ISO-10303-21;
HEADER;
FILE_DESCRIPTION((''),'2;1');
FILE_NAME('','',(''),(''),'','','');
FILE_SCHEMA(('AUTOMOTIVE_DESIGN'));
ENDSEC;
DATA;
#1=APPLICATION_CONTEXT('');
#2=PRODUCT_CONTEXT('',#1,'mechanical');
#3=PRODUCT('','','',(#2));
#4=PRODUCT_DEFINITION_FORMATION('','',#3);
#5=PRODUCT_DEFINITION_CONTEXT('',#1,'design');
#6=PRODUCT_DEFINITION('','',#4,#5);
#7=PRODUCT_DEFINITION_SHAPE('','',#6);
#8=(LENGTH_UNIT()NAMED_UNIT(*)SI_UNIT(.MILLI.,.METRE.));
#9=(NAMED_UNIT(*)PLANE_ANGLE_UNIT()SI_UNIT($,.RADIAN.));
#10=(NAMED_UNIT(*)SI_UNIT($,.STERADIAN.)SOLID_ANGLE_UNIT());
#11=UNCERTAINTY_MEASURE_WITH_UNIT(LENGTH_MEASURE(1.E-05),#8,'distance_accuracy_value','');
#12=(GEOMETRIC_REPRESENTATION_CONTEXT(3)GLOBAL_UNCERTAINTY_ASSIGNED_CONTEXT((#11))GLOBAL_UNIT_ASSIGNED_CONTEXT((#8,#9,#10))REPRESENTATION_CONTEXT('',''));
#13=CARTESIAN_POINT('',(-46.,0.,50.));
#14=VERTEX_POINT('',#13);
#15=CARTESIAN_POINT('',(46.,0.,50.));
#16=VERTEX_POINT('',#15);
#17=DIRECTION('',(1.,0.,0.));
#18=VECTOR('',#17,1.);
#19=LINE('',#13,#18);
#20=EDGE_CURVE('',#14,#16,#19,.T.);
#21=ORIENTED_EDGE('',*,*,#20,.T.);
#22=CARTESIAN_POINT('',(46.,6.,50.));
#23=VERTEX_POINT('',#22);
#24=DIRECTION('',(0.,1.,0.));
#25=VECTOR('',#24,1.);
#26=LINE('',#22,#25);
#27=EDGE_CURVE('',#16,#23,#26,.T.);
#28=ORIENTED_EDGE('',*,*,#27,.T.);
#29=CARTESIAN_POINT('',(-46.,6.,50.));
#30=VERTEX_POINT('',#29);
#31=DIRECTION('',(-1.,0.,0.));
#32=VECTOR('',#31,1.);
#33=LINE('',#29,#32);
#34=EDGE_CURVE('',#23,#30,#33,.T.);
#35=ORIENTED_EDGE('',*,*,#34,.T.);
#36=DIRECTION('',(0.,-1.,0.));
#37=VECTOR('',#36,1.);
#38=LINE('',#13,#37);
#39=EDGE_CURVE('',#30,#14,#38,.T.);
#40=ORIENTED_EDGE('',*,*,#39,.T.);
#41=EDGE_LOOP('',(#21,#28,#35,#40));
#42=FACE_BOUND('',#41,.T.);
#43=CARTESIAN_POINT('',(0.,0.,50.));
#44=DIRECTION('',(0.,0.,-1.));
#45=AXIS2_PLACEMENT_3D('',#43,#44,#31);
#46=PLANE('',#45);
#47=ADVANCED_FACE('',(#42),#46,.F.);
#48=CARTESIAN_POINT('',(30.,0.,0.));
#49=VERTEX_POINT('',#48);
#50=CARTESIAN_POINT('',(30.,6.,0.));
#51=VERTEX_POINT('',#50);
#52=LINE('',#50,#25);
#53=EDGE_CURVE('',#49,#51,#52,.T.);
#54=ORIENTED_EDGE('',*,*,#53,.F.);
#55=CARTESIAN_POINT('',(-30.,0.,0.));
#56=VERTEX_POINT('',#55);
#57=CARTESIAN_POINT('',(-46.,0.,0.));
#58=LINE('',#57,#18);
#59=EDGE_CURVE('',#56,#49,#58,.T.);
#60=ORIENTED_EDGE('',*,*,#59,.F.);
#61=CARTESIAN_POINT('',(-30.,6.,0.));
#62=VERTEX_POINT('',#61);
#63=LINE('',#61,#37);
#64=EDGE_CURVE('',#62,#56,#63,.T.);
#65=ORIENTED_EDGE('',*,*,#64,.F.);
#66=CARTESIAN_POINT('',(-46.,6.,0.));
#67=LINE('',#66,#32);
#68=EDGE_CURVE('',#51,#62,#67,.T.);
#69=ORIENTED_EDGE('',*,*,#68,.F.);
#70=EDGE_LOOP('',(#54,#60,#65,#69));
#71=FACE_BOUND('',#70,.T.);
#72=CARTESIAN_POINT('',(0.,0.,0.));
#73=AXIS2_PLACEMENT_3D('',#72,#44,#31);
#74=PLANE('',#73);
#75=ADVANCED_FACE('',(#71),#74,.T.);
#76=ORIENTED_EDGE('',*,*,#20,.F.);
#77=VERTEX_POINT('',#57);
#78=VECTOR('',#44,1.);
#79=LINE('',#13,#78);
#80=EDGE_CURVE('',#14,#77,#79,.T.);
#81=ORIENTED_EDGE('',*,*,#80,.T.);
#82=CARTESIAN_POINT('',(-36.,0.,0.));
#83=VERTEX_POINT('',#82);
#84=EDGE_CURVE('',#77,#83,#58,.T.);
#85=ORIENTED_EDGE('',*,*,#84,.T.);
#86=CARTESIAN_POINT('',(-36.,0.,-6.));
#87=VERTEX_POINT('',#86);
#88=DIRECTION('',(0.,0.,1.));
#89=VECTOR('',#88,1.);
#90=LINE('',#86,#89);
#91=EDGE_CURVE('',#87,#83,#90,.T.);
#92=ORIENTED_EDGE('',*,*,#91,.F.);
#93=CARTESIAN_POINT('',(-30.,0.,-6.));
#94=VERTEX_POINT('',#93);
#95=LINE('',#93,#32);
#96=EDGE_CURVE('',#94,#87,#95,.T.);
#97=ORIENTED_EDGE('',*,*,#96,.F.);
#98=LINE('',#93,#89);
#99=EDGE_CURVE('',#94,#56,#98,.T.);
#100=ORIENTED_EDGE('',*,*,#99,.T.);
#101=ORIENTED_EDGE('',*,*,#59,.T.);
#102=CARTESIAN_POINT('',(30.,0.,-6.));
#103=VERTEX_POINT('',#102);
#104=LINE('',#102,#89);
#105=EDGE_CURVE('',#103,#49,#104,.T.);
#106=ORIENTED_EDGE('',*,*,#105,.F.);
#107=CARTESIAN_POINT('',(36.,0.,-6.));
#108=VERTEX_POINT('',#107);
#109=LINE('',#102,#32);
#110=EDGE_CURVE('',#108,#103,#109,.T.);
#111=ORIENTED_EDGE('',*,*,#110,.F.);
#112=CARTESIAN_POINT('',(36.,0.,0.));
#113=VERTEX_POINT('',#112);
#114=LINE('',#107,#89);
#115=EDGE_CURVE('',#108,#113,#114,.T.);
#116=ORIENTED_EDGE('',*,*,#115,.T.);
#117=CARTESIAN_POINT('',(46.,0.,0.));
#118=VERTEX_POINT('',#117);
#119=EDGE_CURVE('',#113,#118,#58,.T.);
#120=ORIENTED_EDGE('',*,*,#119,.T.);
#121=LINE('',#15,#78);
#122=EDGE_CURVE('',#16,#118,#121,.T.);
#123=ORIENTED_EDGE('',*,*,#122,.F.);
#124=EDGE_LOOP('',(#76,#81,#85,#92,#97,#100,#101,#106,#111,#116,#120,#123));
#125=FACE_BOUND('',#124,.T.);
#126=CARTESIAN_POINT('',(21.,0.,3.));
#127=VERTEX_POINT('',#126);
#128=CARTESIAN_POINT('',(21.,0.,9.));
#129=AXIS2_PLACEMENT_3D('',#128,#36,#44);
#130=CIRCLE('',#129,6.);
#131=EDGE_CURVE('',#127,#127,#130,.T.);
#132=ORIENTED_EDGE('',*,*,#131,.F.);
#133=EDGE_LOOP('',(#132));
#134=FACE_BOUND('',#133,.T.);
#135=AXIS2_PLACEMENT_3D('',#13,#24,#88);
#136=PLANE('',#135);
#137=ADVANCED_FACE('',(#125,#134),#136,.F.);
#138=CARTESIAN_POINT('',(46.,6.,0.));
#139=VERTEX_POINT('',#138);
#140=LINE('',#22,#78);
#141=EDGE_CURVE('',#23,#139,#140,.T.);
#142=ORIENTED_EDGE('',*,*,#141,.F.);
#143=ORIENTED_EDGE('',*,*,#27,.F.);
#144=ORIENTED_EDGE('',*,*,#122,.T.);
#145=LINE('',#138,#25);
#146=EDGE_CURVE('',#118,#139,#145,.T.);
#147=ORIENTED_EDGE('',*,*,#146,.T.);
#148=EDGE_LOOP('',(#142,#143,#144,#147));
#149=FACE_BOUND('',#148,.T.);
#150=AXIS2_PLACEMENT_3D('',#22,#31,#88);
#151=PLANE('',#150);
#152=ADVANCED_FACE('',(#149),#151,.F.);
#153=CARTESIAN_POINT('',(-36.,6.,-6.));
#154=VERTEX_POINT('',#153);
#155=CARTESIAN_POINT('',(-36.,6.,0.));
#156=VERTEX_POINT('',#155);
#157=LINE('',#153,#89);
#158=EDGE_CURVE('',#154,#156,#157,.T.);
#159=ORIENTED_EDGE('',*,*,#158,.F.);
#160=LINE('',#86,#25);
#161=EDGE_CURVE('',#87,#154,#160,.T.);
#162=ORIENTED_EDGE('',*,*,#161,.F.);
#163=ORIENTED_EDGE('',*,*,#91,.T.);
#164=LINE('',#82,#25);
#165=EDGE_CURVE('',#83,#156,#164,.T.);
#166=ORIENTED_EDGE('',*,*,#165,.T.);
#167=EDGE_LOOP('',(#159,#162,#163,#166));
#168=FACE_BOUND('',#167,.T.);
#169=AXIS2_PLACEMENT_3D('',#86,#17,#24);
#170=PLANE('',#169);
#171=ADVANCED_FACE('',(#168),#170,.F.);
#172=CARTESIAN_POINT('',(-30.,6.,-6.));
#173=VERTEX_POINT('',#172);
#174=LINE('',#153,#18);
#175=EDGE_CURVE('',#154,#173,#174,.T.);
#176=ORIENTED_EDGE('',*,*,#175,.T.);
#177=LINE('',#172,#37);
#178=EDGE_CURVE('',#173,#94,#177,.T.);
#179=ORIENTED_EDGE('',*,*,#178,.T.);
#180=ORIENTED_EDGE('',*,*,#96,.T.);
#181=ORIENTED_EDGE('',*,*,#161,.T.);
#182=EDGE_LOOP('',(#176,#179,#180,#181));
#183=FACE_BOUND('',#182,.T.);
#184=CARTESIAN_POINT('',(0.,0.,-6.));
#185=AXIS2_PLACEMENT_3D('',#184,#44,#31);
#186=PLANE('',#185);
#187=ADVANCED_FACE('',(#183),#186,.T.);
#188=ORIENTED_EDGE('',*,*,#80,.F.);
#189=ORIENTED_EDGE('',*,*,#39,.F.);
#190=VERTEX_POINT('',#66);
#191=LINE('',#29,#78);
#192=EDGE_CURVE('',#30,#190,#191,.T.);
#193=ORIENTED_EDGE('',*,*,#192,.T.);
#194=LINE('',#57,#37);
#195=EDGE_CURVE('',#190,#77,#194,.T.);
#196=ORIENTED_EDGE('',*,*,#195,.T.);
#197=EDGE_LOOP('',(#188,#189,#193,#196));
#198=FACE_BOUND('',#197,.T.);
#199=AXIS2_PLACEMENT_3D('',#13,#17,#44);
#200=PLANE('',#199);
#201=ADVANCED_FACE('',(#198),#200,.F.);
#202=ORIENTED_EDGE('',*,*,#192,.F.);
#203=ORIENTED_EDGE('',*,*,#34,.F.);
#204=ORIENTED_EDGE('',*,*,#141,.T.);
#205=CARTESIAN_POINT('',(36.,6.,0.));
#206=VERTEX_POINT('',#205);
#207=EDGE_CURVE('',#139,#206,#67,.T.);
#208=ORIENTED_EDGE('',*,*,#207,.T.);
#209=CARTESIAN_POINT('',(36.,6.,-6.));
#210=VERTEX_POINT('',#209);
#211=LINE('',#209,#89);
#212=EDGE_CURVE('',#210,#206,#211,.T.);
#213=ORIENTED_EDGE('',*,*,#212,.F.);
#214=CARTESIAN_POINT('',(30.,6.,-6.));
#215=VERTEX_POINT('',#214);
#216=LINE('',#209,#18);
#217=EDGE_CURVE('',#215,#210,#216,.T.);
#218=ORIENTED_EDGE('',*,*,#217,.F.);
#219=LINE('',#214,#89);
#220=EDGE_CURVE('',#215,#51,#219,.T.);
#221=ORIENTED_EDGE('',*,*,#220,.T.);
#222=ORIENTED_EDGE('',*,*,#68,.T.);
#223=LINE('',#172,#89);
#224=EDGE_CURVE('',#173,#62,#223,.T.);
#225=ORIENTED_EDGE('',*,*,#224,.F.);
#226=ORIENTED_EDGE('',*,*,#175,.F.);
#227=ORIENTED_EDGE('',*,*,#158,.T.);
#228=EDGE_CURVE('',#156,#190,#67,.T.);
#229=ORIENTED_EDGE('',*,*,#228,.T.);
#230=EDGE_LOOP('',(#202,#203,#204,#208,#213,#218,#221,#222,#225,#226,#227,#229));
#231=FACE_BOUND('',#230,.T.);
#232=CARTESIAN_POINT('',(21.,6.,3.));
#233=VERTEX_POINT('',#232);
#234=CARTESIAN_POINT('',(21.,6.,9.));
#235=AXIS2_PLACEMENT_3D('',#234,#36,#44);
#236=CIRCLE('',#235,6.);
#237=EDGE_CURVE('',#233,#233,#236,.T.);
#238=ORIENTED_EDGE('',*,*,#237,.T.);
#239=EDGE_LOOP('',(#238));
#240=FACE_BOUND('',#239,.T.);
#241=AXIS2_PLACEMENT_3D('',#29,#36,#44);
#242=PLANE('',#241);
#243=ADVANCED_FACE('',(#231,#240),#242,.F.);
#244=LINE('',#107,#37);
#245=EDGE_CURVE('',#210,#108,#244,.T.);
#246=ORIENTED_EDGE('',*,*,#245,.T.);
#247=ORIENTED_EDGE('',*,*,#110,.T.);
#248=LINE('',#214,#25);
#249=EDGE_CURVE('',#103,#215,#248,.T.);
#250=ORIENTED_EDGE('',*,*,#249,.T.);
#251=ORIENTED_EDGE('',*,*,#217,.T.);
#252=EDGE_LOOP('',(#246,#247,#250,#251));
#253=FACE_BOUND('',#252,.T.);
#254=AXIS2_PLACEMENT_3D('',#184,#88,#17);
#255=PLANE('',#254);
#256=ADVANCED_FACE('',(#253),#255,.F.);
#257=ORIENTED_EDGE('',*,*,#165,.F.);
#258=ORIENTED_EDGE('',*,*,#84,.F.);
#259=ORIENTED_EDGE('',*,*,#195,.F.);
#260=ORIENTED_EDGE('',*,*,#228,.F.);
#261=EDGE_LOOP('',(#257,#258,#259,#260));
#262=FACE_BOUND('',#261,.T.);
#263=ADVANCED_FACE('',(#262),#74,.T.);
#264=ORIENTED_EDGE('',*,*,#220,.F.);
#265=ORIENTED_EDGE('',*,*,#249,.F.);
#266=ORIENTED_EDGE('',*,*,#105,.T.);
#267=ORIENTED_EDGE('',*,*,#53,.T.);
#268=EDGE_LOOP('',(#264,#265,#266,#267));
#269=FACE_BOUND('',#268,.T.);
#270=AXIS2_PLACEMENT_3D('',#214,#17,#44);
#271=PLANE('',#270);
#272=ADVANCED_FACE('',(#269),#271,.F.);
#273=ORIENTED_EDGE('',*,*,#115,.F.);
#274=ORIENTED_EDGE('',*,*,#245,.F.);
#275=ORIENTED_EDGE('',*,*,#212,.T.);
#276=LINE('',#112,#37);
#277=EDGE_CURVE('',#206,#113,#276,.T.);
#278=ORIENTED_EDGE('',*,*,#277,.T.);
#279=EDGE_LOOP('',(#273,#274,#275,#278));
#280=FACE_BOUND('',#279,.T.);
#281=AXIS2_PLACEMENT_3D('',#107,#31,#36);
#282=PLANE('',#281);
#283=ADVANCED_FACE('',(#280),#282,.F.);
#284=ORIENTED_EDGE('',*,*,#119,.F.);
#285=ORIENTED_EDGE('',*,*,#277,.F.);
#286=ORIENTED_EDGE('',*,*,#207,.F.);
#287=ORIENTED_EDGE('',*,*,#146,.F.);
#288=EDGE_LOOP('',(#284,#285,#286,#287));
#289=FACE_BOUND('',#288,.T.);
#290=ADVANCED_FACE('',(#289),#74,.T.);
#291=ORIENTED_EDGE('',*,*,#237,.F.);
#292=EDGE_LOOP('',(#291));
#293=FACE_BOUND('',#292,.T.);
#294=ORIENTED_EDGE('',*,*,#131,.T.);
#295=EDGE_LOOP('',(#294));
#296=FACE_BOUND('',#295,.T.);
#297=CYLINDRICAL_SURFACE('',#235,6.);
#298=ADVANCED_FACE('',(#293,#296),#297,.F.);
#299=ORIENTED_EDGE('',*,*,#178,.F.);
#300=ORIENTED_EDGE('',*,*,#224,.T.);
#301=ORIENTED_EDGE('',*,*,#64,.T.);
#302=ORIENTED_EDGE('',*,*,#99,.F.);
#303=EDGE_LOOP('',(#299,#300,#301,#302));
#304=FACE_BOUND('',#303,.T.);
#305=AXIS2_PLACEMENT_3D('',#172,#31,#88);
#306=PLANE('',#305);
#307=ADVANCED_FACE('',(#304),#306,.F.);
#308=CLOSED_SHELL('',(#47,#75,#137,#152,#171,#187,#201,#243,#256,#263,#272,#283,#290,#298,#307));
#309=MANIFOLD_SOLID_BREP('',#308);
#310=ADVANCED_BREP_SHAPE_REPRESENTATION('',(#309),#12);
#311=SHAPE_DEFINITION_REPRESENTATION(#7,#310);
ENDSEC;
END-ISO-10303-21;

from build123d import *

# Parameters (mm, degrees)
SKETCH1_W           = 92
SKETCH1_H           = 6
BOSS_EXTRUDE1_DEPTH = 50
SKETCH2_W           = 6
SKETCH2_H           = 6
BOSS_EXTRUDE2_DEPTH = 6
SKETCH3_R           = 6
CUT_EXTRUDE1_DEPTH  = 6


with BuildPart() as part:
    # Sketch1 → Boss-Extrude1 (new body)
    with BuildSketch(Plane.XY):
        with Locations((0, 3)):
            Rectangle(SKETCH1_W, SKETCH1_H)
    extrude(amount=BOSS_EXTRUDE1_DEPTH)

    # Sketch2 → Boss-Extrude2 (add)
    with BuildSketch(Plane(origin=(0, 0, 0), x_dir=(-1, 0, 0), z_dir=(0, 0, -1))):
        with Locations((-33, 3)):
            Rectangle(SKETCH2_W, SKETCH2_H)
        with Locations((33, 3)):
            Rectangle(SKETCH2_W, SKETCH2_H)
    extrude(amount=BOSS_EXTRUDE2_DEPTH)

    # Sketch3 → Cut-Extrude1 (cut)
    with BuildSketch(Plane.XZ):
        with Locations((21, 9)):
            Circle(SKETCH3_R)
    extrude(amount=-CUT_EXTRUDE1_DEPTH, mode=Mode.SUBTRACT)


solid = part.part
